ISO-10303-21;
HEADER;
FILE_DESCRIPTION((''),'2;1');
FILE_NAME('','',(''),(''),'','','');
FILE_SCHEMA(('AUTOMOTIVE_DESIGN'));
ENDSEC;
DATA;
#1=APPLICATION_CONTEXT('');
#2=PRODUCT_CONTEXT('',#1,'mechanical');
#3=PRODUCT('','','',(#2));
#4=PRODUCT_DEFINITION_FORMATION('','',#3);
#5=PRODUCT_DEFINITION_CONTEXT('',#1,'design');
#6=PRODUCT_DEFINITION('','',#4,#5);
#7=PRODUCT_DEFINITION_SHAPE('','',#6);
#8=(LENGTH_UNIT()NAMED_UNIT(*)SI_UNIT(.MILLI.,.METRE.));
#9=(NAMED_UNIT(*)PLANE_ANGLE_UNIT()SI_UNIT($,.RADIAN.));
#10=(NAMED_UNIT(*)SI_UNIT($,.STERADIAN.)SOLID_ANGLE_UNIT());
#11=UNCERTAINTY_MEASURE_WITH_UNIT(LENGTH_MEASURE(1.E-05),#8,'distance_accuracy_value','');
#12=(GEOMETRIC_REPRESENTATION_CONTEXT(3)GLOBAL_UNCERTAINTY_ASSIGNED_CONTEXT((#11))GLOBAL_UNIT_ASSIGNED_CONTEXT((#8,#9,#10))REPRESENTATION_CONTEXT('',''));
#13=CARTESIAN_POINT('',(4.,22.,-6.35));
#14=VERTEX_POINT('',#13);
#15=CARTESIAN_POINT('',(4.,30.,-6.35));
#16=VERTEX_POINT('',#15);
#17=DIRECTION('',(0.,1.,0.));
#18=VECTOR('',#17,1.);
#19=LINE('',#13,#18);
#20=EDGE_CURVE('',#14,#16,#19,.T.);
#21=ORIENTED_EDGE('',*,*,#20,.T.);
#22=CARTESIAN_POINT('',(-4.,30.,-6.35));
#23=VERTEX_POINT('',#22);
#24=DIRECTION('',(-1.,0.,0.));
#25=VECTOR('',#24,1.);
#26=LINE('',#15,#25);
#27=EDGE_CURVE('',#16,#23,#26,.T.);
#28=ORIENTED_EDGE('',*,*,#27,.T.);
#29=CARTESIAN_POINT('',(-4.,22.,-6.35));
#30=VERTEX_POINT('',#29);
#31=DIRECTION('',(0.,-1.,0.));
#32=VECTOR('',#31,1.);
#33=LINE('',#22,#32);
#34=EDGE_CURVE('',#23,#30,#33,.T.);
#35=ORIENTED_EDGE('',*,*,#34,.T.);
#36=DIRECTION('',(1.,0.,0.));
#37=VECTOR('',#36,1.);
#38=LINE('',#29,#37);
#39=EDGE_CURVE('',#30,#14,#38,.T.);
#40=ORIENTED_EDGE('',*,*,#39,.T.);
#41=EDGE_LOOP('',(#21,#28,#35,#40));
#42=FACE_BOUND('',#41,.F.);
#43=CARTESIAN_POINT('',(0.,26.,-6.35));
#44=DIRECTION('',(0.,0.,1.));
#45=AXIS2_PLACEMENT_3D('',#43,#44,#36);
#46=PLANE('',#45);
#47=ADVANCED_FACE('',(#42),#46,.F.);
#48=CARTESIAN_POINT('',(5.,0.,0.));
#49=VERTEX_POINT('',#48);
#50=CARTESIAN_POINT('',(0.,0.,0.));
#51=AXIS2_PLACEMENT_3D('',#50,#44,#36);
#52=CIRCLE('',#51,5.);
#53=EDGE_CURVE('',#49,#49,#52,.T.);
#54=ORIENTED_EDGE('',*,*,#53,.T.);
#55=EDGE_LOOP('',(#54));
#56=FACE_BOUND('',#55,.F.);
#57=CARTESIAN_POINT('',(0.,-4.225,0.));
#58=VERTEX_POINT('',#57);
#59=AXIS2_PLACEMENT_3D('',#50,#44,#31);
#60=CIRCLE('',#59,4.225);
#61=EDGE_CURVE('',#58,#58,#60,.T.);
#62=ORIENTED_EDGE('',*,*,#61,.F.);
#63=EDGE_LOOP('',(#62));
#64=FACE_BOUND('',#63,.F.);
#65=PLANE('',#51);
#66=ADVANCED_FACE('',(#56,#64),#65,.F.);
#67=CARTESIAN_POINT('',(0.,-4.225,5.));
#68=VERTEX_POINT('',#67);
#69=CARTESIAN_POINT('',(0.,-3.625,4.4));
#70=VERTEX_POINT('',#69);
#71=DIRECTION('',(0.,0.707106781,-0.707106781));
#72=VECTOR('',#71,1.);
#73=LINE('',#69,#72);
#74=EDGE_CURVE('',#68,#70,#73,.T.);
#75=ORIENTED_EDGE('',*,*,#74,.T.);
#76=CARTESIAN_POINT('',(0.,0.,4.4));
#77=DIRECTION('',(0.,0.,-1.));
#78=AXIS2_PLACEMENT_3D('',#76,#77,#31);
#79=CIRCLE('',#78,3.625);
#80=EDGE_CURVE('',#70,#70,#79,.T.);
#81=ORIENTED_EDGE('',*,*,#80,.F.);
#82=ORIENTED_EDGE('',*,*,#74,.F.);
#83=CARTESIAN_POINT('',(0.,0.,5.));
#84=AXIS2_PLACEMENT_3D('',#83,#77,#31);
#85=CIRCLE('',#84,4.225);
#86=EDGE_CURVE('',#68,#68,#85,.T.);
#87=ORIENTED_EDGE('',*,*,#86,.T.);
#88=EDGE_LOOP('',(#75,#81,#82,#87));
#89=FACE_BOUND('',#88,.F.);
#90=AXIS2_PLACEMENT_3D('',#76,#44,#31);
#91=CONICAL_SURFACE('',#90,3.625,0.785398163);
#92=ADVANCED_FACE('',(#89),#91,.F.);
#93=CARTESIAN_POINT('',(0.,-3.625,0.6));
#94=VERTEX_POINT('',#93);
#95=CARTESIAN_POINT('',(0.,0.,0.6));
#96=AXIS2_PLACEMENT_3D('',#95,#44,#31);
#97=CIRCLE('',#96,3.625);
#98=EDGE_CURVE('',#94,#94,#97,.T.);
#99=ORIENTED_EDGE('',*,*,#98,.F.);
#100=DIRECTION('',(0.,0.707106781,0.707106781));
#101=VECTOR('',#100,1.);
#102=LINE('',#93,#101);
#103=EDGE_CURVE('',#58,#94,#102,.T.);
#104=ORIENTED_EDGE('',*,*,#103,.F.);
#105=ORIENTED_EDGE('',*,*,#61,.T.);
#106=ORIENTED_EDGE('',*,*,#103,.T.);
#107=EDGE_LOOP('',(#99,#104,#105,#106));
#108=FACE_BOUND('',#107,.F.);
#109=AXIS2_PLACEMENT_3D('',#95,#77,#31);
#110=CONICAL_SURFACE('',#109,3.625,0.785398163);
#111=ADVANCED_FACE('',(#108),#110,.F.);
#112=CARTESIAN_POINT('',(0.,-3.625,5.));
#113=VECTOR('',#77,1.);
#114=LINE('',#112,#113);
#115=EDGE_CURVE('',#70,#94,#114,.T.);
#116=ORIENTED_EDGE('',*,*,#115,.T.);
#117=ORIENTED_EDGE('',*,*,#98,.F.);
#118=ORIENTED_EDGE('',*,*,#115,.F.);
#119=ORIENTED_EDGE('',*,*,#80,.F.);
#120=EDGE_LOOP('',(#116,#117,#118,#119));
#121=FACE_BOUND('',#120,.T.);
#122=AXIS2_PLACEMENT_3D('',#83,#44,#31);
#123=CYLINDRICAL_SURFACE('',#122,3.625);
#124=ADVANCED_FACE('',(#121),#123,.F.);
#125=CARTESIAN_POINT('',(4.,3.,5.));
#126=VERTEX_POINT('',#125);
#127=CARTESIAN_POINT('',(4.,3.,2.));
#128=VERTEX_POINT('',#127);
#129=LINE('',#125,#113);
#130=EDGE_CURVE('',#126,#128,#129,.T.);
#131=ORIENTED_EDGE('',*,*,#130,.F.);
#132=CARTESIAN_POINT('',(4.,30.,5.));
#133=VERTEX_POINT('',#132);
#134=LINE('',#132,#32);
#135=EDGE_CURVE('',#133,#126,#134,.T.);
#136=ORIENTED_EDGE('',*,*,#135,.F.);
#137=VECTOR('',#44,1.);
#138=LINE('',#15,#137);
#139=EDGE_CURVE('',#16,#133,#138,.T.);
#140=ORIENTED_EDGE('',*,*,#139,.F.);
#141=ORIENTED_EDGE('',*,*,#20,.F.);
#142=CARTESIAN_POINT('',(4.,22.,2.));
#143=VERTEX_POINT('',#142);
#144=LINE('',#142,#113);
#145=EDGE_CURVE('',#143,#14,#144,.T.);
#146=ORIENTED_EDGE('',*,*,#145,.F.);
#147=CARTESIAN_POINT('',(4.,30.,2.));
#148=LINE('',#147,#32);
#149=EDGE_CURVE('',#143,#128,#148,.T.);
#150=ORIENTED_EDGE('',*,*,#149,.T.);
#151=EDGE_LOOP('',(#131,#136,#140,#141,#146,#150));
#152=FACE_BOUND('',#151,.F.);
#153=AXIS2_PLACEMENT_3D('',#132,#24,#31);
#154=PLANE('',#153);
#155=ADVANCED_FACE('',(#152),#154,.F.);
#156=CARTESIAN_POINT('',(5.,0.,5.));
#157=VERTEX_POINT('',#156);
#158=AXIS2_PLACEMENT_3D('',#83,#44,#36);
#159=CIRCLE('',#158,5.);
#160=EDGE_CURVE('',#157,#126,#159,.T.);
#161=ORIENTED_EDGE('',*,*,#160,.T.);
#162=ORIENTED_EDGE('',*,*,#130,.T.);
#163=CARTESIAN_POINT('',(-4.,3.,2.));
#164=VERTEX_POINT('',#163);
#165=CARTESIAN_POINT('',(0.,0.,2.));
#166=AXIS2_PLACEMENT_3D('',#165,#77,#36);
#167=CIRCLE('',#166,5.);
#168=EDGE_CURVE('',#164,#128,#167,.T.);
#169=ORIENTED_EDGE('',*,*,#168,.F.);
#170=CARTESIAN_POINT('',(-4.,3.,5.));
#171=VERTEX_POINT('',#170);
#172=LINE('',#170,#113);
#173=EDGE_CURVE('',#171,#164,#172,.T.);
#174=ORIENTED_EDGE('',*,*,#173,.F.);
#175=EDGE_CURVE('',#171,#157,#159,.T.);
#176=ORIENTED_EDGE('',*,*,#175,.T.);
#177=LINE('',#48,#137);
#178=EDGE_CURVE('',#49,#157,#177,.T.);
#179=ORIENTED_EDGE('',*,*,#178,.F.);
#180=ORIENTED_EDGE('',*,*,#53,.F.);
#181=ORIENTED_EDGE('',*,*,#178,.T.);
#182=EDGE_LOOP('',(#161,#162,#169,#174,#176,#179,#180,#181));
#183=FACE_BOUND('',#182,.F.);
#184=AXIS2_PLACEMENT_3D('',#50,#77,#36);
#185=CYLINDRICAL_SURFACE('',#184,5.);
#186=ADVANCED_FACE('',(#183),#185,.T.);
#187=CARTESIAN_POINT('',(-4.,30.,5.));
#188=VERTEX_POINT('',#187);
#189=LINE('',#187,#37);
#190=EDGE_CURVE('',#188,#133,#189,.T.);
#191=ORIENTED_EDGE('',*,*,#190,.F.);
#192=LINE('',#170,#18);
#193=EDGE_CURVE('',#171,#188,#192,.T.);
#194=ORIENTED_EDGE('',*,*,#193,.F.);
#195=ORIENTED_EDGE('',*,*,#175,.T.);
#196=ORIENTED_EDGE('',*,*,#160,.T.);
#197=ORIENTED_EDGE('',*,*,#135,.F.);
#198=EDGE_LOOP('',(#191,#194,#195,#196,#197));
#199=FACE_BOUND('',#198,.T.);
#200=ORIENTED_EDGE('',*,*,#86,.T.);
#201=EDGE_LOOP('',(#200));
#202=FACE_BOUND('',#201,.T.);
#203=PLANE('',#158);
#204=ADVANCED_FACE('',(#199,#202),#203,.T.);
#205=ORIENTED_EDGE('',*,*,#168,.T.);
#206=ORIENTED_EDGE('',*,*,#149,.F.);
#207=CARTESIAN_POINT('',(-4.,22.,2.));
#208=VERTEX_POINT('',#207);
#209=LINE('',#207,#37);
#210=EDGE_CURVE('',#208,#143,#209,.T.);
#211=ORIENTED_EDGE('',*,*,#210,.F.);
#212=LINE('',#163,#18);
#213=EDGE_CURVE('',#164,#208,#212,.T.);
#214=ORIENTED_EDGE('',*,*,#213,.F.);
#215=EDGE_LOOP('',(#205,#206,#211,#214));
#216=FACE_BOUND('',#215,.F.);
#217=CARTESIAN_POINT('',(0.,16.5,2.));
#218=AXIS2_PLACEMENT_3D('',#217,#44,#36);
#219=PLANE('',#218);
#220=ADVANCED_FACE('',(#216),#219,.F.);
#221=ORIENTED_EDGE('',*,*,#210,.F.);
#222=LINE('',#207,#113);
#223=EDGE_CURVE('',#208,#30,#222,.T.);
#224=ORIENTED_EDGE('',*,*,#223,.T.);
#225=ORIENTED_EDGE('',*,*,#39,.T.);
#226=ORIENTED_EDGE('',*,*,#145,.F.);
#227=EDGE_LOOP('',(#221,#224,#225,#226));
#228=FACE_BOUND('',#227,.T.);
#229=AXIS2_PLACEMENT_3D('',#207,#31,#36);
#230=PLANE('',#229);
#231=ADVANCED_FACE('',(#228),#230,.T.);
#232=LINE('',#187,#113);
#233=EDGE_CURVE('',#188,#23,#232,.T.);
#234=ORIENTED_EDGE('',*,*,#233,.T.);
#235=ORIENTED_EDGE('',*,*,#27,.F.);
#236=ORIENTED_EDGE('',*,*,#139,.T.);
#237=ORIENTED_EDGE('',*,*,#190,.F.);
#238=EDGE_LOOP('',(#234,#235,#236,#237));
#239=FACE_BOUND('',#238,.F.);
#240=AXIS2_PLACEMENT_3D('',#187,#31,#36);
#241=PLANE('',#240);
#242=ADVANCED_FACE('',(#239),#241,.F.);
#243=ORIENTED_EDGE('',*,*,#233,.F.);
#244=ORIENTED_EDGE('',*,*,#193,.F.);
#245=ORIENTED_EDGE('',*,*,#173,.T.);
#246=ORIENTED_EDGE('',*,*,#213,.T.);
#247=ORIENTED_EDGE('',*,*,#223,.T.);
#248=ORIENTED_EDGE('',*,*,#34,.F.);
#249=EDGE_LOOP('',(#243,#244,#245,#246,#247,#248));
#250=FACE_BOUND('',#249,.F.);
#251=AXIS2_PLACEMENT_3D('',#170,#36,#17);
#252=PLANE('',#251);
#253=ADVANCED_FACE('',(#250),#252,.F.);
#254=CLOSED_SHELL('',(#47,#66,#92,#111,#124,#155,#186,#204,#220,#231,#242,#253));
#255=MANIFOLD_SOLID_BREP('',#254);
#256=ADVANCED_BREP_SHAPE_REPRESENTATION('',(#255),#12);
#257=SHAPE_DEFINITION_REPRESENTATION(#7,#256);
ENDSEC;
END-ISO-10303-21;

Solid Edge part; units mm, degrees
sketch "Sketch1" plane through (0, 0, 0) normal (0, 0, 1) x (1, 0, 0)
  circle A0 centre (0, 0) radius 2.5
  circle A1 centre (0, 0) radius 5
  dimension "D1" = 5
  dimension "D2" = 10
extrude "Protrusion1" add sketch "Sketch1" along normal blind 5
sketch "Sketch2" plane through (0, 0, 5) normal (0, 0, 1) x (1, 0, 0)
  line L0 (-4, 3) -> (4, 3)
  line L1 (4, 30) -> (4, 3)
  line L2 (-4, 30) -> (4, 30)
  line L3 (-4, 3) -> (-4, 30)
  dimension "D1" = 8
  dimension "D2" = 30
extrude "ExtrudedProtrusion_2" add sketch "Sketch2" against normal blind 3
sketch "Sketch3" plane through (0, 16.5, 2) normal (0, 0, -1) x (0, 1, 0)
  line L0 (13.5, 4) -> (13.5, -4)
  line L1 (13.5, -4) -> (5.5, -4)
  line L2 (5.5, -4) -> (5.5, 4)
  line L3 (5.5, 4) -> (13.5, 4)
  dimension "D1" = 8
extrude "ExtrudedProtrusion_3" add sketch "Sketch3" along normal blind 8.35
hole "Hole_1" at (0, 0, 5) direction (0, 0, -1) diameter 7.25 end up to next start chamfer 0.6 start chamfer angle 45 end chamfer 0.6 end chamfer angle 45
properties material "Polyethylene, low density"
